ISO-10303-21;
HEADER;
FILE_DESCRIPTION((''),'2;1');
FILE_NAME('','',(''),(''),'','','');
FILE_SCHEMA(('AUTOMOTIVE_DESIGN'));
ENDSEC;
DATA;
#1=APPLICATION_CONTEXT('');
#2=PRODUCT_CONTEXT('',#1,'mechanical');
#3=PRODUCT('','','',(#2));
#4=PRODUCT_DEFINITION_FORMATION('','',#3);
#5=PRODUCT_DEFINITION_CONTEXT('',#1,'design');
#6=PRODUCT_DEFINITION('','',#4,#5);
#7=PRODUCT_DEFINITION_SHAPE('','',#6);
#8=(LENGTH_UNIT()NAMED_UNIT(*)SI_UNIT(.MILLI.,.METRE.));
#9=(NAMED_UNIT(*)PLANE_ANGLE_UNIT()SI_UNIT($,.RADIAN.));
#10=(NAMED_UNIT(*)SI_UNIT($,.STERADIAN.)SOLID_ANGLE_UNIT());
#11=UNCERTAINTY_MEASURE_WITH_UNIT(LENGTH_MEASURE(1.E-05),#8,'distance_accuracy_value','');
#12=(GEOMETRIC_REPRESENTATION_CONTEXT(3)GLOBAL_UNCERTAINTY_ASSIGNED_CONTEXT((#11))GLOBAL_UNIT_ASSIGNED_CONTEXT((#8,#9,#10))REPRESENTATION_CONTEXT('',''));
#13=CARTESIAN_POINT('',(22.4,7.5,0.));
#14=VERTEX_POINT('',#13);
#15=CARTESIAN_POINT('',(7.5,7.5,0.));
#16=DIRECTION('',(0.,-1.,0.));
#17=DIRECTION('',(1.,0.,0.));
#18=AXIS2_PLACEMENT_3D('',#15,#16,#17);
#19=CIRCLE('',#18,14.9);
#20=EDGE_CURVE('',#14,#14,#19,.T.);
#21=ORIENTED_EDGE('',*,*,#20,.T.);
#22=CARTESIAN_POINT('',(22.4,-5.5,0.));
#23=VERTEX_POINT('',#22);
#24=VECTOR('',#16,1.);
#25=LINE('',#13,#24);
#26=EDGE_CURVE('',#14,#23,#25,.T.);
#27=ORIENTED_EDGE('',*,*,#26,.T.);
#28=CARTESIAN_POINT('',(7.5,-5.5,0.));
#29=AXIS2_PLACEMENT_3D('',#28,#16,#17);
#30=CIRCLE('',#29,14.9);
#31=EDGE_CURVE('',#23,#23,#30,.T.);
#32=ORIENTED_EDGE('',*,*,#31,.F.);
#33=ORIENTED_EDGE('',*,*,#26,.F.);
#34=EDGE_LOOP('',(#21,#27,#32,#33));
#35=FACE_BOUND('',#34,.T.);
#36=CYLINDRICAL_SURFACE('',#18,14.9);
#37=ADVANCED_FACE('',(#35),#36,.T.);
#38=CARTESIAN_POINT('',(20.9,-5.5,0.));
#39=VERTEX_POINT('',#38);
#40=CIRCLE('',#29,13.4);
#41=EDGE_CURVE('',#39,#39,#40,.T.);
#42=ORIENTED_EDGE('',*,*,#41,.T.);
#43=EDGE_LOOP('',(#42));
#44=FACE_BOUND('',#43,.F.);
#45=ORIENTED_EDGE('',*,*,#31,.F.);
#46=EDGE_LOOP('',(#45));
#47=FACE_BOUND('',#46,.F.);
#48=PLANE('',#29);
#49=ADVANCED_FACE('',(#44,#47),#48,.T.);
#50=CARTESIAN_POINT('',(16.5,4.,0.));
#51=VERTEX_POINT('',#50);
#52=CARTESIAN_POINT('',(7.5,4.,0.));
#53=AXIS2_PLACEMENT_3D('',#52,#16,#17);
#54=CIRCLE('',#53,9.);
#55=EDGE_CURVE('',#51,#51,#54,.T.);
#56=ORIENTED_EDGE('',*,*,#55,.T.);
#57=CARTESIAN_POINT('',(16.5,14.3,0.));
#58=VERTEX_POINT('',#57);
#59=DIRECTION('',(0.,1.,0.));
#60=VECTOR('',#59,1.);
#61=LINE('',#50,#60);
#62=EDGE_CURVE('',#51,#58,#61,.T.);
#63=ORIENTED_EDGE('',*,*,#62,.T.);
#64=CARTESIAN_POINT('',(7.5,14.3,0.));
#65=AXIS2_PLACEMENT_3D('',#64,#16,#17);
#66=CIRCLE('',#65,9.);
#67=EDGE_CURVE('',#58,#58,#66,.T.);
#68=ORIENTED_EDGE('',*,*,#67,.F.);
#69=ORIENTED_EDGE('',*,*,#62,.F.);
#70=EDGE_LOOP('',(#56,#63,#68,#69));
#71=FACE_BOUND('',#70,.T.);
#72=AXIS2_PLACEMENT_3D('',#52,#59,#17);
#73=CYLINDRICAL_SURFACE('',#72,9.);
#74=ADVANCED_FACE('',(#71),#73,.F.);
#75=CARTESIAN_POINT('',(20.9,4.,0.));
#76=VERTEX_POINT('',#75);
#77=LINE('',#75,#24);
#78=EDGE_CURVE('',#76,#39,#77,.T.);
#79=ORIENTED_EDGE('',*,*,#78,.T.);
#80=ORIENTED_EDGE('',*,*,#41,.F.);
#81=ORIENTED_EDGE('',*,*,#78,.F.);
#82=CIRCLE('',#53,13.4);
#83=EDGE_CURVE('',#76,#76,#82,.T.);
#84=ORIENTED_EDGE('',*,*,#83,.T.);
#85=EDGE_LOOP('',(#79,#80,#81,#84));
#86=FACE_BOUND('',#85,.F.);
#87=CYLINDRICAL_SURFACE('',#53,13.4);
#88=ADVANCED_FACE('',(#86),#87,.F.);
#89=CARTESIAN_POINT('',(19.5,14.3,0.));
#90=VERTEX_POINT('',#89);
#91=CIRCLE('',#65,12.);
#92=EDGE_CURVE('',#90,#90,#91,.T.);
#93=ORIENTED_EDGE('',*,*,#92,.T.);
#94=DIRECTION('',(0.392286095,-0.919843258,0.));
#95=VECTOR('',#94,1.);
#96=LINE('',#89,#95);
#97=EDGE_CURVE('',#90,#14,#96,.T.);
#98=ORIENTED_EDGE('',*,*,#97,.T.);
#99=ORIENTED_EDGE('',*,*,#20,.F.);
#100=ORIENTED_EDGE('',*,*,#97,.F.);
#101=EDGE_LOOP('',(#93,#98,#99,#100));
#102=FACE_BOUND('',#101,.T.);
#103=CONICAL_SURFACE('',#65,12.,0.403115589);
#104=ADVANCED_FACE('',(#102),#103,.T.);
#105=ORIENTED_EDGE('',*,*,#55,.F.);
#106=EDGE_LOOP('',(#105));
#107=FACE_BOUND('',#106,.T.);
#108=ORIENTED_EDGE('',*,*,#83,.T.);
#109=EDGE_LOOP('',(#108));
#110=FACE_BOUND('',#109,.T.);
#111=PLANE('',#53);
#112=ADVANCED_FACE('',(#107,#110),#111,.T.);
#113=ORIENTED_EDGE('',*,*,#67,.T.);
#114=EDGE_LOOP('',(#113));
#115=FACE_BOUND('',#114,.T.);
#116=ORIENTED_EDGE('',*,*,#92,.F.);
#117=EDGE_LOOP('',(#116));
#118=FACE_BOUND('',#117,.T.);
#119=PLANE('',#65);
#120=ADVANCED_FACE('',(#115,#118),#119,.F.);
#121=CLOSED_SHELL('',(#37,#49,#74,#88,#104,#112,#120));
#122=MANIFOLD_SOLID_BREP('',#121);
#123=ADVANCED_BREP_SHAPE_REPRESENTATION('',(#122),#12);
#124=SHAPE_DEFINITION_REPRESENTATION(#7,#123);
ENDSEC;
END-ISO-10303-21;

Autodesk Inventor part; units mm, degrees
ref_plane "YZ Plane" through (0, 0, 0) normal (1, 0, 0) x (0, 1, 0)
ref_plane "XZ Plane" through (0, 0, 0) normal (0, 1, 0) x (-1, 0, 0)
ref_plane "XY Plane" through (0, 0, 0) normal (0, 0, 1) x (1, 0, 0)
ref_plane "作業平面1" through (0, 0, 0) normal (0, 0, 1) x (1, 0, 0)
sketch "スケッチ1" plane through (0, 0, 0) normal (0, 0, 1) x (1, 0, 0)
  line L0 (14.5, 10.3) -> (0.5, 10.3) projected
  line L1 (-0.25, 6.3) -> (15.25, 6.3) projected
  line L2 (19.4, 0) -> (17.5, 0) projected
  line L3 (-2.5, 0) -> (-4.4, 0) projected
  line L4 (15, -8) -> (0, -8) projected
  line L5 (7.5, 10.3) -> (7.5, -8)
  line L6 (-16.5, -5.5) -> (31.5, -5.5) projected
  line L7 (20.9, 4) -> (20.9, -5.5)
  line L8 (22.4, 7.5) -> (22.4, -5.5)
  line L9 (16.5, 14.3) -> (19.5, 14.3)
  line L10 (19.5, 14.3) -> (22.4, 7.5)
  line L11 (20.9, 4) -> (16.5, 4)
  line L12 (16.5, 4) -> (16.5, 14.3)
  line L13 (20.9, -5.5) -> (22.4, -5.5)
  point P0 (0, 0)
  dimension "d2" = 1.5
  dimension "d4" = 3
  dimension "d5" = 1.5
  dimension "d6" = 13
  dimension "d7" = 1.25
  dimension "d8" = 4
  dimension "d9" = 4
revolve "回転1" add sketch "スケッチ1" angle 360 about axis through (7.5, 10.3, 0) along (0, -1, 0)
properties part number "LimitedView_Parts"
